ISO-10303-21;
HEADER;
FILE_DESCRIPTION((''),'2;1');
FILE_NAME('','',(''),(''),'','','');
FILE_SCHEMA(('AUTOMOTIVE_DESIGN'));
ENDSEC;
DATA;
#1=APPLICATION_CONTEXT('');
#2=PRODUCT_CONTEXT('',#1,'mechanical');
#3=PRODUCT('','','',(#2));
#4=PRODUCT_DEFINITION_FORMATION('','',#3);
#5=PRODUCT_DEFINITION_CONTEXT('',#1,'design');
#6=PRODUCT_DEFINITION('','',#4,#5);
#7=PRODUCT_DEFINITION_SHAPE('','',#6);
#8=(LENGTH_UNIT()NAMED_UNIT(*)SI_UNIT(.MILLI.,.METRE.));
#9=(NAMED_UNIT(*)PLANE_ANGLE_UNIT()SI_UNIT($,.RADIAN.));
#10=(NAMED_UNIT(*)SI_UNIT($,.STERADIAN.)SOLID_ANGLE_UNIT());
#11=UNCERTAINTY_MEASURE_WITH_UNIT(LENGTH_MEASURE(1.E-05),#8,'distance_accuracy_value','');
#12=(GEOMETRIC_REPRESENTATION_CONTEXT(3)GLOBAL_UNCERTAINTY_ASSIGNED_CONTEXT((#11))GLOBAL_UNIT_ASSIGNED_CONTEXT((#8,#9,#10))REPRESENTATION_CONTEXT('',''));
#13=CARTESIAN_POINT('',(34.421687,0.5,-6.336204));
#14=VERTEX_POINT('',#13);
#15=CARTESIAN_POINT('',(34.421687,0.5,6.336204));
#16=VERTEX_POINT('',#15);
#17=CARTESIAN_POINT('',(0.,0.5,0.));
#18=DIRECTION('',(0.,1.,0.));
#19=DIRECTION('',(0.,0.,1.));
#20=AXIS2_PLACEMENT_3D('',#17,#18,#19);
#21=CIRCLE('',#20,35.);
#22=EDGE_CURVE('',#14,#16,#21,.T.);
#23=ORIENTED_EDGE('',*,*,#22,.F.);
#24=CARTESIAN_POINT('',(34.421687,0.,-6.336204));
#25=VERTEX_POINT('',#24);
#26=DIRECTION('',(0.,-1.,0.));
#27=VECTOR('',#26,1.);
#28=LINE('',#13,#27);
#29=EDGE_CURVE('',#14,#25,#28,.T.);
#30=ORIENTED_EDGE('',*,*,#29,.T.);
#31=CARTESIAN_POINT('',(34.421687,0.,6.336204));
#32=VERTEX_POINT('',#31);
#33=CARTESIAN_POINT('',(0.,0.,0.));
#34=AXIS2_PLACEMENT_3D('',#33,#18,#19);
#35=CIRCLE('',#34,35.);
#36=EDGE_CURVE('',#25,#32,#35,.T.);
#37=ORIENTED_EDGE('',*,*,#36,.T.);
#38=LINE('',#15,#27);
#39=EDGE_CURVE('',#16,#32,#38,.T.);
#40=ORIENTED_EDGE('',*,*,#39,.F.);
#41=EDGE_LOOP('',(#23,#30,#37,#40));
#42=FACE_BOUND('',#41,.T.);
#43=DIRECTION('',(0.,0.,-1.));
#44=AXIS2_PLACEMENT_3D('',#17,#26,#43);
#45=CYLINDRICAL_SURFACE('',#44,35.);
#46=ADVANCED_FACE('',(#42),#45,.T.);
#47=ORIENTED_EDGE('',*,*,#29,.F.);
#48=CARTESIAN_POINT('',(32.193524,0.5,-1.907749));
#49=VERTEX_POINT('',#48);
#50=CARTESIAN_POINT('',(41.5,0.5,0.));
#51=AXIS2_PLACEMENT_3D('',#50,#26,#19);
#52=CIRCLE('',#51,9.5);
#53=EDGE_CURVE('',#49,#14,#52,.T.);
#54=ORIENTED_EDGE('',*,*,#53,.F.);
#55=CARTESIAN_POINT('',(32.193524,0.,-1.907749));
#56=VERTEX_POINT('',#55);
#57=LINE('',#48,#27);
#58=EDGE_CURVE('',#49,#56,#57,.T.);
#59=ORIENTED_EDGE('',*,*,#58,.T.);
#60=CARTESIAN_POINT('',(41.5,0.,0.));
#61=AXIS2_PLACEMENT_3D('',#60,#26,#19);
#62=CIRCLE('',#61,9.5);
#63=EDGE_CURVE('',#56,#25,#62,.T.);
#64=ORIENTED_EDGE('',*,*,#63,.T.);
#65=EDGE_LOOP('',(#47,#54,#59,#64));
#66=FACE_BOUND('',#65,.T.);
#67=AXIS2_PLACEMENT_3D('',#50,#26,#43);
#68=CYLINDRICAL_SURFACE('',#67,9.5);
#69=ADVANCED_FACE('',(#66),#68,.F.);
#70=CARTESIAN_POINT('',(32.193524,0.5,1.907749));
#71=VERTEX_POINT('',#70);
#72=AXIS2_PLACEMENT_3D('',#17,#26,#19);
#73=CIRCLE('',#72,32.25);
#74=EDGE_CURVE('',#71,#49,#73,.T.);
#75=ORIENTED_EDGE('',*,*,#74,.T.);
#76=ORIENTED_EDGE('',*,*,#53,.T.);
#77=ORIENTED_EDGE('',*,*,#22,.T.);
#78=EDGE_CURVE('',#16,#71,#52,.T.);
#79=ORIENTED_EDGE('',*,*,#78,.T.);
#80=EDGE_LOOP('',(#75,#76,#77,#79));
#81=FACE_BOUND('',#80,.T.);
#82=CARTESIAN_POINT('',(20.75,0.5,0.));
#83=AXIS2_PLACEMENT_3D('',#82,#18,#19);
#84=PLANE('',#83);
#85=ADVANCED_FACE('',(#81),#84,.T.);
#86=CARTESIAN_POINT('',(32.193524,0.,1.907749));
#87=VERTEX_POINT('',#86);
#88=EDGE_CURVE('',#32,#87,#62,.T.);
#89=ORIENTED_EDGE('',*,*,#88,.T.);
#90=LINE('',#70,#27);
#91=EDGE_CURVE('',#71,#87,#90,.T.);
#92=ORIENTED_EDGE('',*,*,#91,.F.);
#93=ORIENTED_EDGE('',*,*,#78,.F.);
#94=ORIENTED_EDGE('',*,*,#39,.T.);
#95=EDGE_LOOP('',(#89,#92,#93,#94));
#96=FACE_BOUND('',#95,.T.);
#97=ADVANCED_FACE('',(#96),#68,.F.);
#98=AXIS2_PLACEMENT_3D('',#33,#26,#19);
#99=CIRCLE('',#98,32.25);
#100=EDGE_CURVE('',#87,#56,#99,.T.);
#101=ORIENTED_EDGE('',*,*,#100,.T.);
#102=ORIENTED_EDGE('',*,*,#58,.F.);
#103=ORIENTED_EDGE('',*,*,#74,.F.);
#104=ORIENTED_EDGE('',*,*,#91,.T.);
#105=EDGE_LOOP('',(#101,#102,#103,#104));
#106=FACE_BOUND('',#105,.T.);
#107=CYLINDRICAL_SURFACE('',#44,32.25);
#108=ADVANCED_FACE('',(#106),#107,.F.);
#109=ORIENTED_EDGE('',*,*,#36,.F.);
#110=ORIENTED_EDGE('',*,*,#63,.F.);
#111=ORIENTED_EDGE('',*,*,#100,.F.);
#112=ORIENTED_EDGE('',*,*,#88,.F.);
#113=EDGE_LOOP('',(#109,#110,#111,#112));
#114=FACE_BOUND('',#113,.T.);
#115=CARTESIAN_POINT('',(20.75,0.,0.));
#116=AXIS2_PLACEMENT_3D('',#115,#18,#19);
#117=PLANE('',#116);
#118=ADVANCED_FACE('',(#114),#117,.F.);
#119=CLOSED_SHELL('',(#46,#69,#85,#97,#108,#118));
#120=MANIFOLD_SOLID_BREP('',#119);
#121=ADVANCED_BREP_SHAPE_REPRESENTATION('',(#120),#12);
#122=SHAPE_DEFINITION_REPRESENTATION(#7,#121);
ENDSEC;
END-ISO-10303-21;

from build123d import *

# Parameters (mm, degrees)
EXTRUDE_1_DEPTH = 0.5


with BuildPart() as part:
    # 草图1 → 凸台-拉伸1 (new body)
    with BuildSketch(Plane(origin=(0, 0, 0), x_dir=(1, 0, 0), z_dir=(0, 1, 0))):
        with BuildLine():
            ThreePointArc((32.193524096, 1.907749002), (-32.25, 0), (32.193524096, -1.907749002))
            ThreePointArc((32.193524096, -1.907749002), (33.013650231, -4.269879108), (34.421686747, -6.336204029))
            ThreePointArc((34.421686747, -6.336204029), (-35, 0), (34.421686747, 6.336204029))
            ThreePointArc((34.421686747, 6.336204029), (33.013650231, 4.269879108), (32.193524096, 1.907749002))
        make_face()
    extrude(amount=EXTRUDE_1_DEPTH)


solid = part.part
